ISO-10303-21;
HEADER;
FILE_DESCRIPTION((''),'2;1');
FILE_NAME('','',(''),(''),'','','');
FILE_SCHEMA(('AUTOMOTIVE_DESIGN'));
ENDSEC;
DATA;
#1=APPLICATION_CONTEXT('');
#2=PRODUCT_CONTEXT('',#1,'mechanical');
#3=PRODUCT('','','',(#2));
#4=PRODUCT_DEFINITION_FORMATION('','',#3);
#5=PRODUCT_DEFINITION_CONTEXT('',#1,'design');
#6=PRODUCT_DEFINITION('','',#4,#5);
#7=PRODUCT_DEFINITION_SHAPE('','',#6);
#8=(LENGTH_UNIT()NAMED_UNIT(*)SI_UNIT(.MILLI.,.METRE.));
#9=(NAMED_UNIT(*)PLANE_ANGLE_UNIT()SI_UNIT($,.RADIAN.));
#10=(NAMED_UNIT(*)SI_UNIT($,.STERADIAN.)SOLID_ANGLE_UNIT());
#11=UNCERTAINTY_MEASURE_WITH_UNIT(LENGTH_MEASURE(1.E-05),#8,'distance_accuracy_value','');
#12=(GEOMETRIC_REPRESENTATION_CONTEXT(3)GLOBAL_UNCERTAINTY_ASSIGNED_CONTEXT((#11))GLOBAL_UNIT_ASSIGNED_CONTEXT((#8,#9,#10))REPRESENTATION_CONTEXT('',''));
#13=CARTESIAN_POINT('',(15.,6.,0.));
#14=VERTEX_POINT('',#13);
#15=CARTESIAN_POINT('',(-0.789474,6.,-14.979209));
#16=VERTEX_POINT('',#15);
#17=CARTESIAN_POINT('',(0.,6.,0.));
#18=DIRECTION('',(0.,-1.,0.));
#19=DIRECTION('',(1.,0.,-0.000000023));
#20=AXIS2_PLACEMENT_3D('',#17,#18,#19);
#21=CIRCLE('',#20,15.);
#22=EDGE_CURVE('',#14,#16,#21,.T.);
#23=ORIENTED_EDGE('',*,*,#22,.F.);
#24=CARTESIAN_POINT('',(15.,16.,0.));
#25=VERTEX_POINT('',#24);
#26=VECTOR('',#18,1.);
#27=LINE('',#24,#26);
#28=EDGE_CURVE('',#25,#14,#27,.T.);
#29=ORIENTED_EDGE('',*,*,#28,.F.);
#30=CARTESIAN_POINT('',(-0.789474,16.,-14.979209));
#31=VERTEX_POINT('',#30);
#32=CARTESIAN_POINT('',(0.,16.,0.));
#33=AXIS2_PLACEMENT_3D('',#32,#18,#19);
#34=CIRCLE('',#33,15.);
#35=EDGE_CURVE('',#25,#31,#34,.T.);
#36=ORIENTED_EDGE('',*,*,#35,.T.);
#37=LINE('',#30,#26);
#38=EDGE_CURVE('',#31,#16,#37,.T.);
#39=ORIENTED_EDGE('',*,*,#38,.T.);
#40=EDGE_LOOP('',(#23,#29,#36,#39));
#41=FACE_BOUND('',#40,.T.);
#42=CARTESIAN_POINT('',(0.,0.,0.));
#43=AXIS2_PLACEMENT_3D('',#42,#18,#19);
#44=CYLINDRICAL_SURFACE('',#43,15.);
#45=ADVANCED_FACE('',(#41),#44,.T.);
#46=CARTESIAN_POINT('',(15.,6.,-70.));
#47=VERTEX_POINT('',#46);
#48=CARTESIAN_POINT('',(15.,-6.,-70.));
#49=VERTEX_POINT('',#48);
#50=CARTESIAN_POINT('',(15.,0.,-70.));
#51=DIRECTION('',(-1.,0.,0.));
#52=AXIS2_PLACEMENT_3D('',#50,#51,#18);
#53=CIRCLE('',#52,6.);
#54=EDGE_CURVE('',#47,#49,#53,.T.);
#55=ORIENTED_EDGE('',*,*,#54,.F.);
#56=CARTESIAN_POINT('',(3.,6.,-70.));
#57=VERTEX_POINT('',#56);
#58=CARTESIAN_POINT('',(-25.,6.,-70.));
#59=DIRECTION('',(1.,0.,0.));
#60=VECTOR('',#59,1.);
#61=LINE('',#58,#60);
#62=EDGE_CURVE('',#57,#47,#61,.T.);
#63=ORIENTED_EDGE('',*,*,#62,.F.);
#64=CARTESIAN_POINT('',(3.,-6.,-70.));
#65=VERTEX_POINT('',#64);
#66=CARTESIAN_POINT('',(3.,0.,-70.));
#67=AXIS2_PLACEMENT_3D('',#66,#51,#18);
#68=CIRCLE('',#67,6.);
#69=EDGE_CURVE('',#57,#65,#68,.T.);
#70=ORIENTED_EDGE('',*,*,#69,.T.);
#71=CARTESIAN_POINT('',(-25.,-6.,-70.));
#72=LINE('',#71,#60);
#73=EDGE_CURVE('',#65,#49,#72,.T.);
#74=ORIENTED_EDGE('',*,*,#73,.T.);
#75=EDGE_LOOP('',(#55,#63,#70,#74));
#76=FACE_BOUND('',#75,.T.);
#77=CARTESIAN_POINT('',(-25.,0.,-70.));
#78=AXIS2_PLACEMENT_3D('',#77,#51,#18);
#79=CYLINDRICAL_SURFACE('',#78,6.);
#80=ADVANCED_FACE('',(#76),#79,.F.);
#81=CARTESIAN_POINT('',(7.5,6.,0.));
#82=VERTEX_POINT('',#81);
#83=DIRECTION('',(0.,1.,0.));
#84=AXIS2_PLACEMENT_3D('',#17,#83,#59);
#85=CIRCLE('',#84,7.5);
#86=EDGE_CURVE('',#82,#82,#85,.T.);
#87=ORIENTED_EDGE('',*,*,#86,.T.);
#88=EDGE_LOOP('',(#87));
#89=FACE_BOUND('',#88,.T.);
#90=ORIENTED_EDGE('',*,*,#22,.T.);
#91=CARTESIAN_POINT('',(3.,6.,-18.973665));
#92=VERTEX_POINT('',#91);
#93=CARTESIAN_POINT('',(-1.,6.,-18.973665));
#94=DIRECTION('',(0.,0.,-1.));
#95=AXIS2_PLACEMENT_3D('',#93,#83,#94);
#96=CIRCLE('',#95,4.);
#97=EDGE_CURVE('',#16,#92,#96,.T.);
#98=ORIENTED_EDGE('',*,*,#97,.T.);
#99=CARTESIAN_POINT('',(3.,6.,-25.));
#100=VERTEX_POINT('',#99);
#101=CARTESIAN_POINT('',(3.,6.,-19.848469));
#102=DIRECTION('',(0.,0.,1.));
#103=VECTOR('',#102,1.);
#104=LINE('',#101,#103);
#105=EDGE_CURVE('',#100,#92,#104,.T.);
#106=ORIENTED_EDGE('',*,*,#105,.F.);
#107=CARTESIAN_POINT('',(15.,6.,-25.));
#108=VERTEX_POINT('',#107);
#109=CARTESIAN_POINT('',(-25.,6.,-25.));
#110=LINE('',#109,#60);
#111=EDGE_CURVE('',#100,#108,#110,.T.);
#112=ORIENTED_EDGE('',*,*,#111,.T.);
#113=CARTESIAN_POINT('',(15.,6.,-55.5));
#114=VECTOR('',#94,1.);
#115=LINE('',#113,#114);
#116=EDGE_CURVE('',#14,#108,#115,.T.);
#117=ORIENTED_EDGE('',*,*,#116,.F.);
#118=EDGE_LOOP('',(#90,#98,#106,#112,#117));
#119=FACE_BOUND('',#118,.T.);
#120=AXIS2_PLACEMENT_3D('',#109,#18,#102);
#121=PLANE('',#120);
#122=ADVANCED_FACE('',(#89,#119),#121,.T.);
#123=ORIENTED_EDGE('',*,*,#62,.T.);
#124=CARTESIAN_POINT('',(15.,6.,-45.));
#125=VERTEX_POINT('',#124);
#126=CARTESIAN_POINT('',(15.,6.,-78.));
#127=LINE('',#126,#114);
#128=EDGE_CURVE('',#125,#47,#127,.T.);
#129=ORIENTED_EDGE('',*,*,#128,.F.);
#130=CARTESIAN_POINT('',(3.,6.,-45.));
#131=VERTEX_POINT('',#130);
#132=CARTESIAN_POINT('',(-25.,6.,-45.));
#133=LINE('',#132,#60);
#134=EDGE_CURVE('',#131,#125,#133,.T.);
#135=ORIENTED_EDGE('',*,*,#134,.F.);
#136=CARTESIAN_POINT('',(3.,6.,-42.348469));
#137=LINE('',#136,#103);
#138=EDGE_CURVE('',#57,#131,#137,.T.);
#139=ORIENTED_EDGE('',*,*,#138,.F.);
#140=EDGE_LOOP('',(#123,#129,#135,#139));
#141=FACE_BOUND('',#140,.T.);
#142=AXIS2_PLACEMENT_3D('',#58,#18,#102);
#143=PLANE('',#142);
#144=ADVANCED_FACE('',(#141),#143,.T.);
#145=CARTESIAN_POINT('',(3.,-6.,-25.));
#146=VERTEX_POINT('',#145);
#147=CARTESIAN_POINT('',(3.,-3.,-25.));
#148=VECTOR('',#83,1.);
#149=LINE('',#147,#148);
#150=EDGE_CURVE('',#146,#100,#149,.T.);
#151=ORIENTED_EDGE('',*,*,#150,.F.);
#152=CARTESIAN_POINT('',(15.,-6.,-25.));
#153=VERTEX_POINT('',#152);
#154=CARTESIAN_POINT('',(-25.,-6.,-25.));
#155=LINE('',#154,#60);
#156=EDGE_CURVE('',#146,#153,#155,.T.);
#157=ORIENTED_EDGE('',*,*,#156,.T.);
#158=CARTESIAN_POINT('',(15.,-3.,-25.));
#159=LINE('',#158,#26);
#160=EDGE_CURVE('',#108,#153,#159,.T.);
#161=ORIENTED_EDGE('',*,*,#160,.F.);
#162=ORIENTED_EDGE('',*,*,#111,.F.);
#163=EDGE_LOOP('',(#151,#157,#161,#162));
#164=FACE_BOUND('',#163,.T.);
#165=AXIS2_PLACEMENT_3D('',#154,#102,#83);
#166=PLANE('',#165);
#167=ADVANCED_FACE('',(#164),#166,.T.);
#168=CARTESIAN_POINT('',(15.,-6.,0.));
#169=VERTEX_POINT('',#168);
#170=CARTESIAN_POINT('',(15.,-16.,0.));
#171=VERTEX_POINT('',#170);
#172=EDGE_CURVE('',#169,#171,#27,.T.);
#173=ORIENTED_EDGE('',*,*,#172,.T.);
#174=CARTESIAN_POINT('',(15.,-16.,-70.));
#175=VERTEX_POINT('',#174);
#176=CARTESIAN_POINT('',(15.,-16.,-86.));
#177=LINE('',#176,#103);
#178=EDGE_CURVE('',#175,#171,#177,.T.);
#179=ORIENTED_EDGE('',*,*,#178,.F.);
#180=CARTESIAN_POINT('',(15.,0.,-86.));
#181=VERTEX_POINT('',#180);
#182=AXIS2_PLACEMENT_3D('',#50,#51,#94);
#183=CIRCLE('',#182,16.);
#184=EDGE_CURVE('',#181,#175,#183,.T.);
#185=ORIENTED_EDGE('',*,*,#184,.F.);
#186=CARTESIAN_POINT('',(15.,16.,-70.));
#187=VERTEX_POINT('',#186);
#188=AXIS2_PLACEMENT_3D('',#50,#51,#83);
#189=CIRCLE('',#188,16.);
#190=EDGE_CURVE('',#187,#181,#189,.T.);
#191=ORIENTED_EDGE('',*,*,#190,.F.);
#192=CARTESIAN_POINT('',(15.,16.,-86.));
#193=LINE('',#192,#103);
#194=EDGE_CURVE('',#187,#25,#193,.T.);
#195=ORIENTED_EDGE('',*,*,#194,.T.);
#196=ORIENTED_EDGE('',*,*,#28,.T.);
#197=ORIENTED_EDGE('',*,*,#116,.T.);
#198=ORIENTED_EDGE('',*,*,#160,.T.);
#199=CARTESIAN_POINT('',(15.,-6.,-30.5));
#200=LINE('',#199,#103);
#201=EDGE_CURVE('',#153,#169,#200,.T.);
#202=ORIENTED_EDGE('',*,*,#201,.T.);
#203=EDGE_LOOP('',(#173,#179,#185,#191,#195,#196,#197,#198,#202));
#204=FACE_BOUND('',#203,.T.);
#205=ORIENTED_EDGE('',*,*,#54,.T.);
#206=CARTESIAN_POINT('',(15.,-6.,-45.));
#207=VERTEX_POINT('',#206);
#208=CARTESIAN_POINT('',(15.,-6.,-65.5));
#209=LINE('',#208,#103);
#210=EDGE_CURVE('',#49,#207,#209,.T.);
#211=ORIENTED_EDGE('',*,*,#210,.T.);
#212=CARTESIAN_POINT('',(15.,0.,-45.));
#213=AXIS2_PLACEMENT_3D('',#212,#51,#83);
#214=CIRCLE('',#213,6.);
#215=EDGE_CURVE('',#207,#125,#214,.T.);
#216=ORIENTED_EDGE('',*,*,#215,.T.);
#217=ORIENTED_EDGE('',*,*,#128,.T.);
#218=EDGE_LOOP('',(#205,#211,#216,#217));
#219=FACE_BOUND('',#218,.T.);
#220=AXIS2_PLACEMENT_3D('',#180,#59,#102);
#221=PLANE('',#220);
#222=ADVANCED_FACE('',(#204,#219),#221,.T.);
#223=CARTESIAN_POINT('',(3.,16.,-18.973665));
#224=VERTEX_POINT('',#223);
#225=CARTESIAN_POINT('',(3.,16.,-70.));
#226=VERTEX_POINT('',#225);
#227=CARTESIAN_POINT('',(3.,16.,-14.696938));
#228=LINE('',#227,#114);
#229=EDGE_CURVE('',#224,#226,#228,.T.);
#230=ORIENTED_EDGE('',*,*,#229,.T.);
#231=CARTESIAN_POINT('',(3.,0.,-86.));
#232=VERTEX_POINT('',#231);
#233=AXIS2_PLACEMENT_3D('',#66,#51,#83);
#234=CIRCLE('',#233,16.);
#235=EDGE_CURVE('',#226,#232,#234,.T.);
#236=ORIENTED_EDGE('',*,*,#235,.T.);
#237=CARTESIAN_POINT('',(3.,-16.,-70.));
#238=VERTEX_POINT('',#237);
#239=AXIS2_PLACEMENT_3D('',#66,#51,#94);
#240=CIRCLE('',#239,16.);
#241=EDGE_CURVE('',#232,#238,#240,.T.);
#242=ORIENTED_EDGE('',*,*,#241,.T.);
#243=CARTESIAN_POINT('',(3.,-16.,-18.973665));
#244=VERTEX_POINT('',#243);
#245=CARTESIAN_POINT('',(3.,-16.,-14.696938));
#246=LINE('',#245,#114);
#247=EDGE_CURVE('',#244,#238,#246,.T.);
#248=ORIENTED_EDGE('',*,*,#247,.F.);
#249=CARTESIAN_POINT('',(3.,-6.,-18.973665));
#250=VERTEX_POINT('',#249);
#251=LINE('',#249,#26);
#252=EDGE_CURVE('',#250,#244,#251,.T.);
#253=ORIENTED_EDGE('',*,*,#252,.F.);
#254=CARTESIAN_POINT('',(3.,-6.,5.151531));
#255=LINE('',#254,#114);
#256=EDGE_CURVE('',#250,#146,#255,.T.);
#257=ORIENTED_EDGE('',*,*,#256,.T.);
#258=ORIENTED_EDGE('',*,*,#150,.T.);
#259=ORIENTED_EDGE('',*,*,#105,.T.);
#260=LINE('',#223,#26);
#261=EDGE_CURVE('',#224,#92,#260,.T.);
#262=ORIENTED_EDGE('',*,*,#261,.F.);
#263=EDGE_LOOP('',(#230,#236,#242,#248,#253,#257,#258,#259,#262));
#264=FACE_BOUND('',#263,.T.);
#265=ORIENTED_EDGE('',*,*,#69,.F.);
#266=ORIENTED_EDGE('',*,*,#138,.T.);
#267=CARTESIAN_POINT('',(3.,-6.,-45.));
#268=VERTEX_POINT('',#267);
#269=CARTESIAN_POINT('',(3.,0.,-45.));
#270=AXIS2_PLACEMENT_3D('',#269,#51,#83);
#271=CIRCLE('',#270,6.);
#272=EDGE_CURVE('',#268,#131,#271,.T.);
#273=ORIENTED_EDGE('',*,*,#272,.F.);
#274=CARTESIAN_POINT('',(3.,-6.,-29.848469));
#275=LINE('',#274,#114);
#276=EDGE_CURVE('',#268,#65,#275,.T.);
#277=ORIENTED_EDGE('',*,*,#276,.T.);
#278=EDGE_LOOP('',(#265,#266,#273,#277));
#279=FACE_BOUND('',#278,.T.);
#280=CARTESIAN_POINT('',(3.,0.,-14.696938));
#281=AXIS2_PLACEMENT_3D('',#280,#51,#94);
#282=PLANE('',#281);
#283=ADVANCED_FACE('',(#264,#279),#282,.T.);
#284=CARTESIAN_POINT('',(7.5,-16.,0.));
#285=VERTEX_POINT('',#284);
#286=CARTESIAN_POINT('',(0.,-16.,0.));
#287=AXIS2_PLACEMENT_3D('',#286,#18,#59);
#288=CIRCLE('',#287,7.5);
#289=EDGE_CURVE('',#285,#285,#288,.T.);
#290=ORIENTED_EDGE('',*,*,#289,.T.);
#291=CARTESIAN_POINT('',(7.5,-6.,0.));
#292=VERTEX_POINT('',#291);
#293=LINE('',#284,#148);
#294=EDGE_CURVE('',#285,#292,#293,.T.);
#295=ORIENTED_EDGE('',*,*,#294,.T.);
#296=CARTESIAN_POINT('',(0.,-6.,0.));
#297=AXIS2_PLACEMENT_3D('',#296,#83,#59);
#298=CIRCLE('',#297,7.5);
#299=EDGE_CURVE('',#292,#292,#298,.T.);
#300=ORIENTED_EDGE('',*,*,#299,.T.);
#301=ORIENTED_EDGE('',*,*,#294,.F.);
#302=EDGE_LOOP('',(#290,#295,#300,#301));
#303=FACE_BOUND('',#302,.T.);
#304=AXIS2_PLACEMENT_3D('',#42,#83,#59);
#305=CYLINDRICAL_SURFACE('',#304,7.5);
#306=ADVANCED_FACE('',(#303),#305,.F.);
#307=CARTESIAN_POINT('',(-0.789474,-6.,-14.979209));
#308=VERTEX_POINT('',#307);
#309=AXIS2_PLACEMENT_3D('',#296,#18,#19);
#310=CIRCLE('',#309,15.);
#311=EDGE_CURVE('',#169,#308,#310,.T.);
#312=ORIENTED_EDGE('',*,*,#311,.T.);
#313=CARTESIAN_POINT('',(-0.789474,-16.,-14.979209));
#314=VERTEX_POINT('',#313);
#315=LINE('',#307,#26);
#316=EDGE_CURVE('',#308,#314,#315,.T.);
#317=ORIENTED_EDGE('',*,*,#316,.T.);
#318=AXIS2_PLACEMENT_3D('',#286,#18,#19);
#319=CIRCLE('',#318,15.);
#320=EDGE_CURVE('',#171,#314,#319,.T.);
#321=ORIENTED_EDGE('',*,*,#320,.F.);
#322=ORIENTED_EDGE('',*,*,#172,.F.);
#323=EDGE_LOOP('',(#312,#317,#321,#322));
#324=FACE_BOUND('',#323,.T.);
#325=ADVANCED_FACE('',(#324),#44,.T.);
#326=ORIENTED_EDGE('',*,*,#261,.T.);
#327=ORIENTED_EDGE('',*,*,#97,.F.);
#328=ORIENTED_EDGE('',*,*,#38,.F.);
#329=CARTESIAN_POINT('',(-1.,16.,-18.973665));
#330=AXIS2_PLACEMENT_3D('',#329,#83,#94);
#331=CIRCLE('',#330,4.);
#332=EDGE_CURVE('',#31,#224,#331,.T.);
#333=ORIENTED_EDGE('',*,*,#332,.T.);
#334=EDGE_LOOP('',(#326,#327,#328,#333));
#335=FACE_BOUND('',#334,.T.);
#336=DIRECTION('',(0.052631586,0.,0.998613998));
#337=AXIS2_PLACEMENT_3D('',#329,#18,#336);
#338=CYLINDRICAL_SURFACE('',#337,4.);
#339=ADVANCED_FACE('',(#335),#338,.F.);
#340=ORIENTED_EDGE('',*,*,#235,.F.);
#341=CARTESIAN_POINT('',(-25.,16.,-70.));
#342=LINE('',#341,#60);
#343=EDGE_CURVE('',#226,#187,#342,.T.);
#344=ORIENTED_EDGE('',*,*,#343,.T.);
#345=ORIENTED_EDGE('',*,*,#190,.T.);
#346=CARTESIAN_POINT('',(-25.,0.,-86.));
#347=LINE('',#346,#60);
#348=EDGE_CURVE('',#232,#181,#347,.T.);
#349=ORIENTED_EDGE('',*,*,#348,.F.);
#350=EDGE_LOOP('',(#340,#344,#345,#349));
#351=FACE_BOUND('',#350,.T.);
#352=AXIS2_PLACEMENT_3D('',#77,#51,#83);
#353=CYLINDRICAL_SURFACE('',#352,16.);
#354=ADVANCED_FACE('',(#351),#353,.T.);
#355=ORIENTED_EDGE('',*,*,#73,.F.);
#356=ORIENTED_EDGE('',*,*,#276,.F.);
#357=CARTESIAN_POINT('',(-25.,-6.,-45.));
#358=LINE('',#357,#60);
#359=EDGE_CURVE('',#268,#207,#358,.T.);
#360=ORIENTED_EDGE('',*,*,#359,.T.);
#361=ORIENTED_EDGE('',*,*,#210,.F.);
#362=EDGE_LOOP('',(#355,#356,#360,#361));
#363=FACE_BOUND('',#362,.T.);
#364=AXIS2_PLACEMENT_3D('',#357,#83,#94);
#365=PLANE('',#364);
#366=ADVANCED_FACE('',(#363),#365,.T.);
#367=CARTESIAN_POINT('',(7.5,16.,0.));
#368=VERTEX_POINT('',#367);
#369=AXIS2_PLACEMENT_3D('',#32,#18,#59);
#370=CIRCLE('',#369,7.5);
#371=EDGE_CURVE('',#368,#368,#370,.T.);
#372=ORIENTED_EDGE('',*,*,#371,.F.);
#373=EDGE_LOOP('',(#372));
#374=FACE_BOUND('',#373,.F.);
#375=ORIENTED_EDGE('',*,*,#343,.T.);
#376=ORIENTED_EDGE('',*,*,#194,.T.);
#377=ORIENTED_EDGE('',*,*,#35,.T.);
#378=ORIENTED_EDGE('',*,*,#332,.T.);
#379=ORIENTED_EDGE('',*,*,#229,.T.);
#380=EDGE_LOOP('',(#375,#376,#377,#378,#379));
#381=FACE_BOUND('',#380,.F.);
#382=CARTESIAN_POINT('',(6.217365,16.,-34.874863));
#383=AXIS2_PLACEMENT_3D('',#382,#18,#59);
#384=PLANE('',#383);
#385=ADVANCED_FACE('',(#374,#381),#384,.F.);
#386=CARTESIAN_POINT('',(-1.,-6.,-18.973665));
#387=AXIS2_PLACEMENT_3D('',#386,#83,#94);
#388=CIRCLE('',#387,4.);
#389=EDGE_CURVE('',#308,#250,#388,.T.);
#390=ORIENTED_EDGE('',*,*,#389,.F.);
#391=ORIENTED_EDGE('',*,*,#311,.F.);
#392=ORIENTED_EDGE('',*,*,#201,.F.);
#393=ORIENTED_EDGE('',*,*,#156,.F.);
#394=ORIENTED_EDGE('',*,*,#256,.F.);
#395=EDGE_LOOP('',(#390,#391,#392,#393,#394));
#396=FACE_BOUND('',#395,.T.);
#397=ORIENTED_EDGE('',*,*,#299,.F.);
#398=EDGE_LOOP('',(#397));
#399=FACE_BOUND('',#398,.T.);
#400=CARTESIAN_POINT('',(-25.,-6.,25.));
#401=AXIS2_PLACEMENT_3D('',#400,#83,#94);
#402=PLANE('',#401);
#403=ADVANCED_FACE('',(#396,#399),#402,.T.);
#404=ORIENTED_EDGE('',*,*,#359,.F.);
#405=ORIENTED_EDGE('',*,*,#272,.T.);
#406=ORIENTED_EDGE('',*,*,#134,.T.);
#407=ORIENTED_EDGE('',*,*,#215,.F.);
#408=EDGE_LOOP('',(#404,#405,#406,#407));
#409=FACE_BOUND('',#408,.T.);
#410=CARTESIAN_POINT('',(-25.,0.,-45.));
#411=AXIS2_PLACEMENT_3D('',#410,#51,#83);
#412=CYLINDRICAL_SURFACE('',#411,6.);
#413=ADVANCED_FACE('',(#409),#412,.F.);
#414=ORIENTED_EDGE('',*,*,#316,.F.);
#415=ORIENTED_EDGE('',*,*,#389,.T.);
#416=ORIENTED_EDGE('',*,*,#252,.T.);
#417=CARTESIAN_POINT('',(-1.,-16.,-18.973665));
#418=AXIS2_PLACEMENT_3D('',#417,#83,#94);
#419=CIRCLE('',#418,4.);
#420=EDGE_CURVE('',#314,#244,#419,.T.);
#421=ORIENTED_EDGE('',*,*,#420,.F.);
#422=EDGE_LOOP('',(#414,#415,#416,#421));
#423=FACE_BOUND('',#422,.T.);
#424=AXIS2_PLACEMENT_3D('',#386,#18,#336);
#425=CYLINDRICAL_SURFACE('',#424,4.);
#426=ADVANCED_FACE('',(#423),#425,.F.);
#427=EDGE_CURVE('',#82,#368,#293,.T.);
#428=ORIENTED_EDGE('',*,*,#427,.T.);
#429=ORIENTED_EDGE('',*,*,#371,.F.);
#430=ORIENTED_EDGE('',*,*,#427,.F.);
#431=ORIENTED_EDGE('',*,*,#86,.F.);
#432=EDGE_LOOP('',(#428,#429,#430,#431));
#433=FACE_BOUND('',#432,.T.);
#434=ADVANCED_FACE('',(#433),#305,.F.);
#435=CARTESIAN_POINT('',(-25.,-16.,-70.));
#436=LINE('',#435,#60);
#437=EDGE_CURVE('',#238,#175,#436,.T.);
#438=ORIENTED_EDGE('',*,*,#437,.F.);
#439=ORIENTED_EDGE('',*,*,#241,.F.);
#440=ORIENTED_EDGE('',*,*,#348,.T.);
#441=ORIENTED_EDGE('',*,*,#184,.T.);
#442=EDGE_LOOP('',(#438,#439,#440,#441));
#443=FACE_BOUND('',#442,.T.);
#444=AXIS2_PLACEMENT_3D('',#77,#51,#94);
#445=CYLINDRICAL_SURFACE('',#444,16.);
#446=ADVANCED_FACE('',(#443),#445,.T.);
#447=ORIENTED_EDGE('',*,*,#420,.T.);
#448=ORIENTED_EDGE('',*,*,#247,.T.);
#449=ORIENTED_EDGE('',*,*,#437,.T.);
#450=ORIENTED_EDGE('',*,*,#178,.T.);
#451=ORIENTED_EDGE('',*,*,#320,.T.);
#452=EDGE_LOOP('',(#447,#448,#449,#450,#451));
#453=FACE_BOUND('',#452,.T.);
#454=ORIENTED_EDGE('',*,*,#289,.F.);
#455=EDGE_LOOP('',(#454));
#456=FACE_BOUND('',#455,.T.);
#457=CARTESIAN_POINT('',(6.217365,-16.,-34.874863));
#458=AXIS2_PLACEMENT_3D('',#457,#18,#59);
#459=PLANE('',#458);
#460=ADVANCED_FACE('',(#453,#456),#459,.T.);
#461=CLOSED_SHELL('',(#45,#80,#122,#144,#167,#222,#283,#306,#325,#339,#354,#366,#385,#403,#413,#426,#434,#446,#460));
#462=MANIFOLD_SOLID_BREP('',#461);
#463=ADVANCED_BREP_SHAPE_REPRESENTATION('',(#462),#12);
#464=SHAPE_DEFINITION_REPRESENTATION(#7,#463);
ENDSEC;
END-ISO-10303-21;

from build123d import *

# Parameters (mm, degrees)
F0_R     = 7.5
F1_DEPTH = 16
F3_W     = 12
F3_H     = 39.696938
F3_H_2   = 10.303062
F4_DEPTH = 40.001
F5_R     = 4


with BuildPart() as f1:
    # F0 (on Front) → F1 (new body, symmetric)
    with BuildSketch(Plane.XZ):
        with BuildLine():
            Line((15, -86), (15, 0))
            ThreePointArc((15, 0), (-11.61895, 9.486833), (3, -14.696938))
            Line((3, -14.696938), (3, -86))
            Line((3, -86), (15, -86))
        make_face()
        Circle(F0_R, mode=Mode.SUBTRACT)
    extrude(amount=F1_DEPTH, both=True)

    # F3 (on offset) → F4 (cut, through all)
    with BuildSketch(Plane.YZ.offset(-25)):
        with Locations((0, 5.151531)):
            Rectangle(F3_W, F3_H)
        with Locations((0, -19.848469)):
            Rectangle(F3_W, F3_H_2)
        with BuildLine():
            ThreePointArc((0, -86), (-11.313709, -81.313708), (-16, -70))
            Line((-16, -70), (-16, -86))
            Line((-16, -86), (0, -86))
        make_face()
        with BuildLine():
            Line((16, -86), (16, -70))
            ThreePointArc((16, -70), (11.313708, -81.313709), (0, -86))
            Line((0, -86), (16, -86))
        make_face()
        with BuildLine():
            Line((6, -70), (6, -45))
            ThreePointArc((6, -45), (0, -39), (-6, -45))
            Line((-6, -45), (-6, -70))
            ThreePointArc((-6, -70), (0, -76), (6, -70))
        make_face()
    extrude(amount=F4_DEPTH, mode=Mode.SUBTRACT)

    # F5
    f5_edges = [f1.edges().sort_by_distance(p)[0] for p in [
        (3, 11, -14.696938),
        (3, -11, -14.696938),
    ]]
    fillet(f5_edges, radius=F5_R)


solid = f1.part
